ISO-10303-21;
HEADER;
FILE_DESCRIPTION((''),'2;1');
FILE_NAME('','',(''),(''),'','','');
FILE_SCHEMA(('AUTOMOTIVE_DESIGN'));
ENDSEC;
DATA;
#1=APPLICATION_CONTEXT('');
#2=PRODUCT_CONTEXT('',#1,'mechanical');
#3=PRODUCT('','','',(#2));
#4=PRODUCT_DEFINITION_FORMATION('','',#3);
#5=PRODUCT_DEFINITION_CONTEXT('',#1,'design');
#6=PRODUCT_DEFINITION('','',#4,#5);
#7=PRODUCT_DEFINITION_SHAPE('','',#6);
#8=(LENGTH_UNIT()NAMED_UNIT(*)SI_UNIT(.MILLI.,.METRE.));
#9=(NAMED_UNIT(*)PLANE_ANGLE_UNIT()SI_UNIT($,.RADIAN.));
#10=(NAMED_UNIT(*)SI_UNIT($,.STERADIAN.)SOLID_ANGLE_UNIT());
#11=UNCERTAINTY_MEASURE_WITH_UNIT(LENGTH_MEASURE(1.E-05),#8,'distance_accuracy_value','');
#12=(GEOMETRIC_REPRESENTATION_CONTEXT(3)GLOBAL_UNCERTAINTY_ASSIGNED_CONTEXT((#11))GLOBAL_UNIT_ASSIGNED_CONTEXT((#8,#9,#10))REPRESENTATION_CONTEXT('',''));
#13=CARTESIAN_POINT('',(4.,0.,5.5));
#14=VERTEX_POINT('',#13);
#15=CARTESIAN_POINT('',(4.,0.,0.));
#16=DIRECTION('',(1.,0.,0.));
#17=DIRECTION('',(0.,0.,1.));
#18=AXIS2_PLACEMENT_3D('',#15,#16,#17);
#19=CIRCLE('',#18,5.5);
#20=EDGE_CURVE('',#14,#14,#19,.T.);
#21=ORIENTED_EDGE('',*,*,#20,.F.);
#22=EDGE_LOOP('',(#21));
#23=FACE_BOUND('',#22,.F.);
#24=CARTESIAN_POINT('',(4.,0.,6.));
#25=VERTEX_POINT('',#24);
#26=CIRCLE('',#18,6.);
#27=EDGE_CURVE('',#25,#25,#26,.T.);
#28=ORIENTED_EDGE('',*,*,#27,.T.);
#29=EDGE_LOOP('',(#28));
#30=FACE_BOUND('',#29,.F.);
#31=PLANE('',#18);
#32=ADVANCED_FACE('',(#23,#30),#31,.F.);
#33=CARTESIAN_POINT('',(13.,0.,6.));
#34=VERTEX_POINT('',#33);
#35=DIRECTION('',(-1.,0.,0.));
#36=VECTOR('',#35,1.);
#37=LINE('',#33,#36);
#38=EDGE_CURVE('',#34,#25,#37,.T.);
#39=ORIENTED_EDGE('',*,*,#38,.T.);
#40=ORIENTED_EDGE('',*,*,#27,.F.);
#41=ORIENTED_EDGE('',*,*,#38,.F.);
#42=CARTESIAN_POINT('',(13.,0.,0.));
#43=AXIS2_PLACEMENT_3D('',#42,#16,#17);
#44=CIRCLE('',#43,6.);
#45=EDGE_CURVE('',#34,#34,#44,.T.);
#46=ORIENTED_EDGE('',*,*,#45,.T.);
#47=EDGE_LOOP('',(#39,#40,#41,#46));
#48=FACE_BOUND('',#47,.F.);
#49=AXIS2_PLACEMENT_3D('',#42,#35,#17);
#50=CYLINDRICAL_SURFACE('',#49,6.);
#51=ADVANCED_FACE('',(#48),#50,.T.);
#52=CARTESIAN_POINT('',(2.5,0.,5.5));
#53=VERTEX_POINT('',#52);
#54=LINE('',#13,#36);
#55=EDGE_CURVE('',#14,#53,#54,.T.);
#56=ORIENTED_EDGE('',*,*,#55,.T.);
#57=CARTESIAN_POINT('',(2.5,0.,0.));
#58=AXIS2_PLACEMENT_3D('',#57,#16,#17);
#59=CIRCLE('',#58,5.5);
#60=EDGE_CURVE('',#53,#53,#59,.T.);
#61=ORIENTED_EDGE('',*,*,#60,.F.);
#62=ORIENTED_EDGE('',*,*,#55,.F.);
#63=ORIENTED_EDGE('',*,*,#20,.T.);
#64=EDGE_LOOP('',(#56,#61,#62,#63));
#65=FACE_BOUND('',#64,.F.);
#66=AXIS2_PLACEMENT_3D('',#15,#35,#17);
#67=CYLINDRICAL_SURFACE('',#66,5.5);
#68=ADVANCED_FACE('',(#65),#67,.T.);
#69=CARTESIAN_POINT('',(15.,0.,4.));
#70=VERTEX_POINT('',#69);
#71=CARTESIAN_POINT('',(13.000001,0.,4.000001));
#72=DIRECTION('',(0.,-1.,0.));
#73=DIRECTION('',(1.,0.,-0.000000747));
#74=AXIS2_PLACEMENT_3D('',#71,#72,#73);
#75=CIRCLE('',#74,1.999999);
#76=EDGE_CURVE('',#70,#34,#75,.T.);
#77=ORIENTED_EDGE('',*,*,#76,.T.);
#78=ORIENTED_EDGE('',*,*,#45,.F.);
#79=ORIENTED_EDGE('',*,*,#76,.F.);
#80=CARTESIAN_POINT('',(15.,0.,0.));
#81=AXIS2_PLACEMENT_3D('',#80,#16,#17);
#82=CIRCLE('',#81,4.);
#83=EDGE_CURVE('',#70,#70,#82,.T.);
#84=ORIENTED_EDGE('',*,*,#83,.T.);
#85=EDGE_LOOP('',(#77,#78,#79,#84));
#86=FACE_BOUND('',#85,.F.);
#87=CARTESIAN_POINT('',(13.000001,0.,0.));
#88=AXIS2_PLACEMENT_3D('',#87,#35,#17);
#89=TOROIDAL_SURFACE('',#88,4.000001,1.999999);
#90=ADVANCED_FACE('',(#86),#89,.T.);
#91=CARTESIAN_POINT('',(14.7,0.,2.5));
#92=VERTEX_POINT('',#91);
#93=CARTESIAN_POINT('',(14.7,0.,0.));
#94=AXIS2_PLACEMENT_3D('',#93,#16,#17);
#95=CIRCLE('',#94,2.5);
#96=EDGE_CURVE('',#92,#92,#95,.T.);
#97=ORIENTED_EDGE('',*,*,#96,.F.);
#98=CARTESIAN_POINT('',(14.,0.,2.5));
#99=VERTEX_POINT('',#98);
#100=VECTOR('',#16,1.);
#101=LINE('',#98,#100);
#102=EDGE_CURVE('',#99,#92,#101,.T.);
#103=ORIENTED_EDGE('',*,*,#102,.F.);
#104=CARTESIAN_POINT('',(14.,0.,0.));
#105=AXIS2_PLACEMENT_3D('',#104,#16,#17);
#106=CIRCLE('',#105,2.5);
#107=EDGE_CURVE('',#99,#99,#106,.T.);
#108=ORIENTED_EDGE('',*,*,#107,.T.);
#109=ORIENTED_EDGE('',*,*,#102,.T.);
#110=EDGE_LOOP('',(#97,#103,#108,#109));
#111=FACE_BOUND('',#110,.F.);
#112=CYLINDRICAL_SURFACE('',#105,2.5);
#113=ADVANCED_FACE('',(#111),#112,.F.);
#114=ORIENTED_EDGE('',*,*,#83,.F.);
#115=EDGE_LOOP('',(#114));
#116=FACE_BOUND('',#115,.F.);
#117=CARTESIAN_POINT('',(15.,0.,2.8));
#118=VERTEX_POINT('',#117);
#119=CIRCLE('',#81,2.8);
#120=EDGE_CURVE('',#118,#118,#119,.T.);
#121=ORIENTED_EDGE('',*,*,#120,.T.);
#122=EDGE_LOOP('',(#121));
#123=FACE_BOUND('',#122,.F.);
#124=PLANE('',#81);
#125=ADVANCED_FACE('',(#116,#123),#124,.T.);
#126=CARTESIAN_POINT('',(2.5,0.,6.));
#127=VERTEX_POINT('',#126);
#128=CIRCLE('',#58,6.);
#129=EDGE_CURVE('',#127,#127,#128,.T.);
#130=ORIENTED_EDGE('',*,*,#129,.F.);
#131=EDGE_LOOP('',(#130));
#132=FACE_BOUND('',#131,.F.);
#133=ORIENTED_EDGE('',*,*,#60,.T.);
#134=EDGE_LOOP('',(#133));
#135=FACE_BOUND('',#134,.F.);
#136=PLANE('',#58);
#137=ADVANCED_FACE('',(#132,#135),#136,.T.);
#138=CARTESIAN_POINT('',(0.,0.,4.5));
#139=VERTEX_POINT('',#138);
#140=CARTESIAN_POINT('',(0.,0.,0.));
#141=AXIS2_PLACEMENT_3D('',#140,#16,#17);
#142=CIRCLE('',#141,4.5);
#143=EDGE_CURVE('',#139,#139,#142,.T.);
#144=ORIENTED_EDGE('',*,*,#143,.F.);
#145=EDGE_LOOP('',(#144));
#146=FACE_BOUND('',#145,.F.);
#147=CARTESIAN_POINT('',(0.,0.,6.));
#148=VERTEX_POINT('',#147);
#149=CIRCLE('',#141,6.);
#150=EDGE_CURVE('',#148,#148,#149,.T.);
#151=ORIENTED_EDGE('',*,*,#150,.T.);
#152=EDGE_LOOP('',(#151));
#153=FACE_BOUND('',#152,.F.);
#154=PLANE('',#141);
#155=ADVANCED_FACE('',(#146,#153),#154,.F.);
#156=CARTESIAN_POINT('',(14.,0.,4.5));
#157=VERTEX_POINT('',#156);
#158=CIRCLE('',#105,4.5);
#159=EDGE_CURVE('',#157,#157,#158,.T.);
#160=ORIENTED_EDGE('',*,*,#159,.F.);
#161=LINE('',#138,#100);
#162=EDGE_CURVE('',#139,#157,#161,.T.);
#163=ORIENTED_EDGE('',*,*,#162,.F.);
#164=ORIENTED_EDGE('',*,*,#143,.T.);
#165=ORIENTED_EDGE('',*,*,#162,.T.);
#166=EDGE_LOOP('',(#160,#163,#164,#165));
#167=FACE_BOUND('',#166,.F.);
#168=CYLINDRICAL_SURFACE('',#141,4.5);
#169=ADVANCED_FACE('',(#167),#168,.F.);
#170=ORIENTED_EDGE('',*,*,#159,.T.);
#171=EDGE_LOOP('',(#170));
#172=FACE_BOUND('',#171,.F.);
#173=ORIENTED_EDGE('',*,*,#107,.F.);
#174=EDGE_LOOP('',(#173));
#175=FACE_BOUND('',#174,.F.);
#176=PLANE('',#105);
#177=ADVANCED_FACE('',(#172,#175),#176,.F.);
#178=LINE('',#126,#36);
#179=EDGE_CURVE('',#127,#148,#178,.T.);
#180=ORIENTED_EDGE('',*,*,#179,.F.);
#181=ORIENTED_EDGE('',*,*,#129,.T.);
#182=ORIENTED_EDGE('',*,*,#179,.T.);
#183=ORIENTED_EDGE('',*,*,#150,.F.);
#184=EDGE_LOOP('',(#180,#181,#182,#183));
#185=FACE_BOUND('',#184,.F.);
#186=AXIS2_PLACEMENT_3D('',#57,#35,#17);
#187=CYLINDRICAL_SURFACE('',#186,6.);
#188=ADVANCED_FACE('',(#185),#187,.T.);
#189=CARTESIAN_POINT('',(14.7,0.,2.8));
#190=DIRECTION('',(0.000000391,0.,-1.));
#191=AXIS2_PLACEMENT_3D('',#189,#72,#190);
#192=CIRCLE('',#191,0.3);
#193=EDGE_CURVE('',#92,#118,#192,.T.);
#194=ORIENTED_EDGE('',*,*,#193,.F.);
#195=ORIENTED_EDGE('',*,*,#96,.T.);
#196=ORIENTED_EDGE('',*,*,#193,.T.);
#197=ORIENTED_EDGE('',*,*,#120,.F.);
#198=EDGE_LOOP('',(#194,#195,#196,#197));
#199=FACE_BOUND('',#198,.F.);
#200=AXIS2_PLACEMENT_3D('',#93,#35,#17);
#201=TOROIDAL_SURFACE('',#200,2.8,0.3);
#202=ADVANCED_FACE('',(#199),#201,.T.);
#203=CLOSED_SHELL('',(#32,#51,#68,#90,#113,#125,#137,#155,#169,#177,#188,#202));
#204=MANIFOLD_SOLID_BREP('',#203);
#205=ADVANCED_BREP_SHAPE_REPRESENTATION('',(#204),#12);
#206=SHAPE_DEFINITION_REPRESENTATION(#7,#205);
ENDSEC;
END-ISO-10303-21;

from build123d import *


with BuildPart() as f1:
    # F0 (on Front) → F1 (revolve)
    with BuildSketch(Plane.XZ):
        with BuildLine():
            Line((0, 6), (0, 4.5))
            Line((0, 4.5), (14, 4.5))
            Line((14, 4.5), (14, 2.5))
            Line((14, 2.5), (14.7, 2.5))
            ThreePointArc((14.7, 2.5), (14.912132, 2.587868), (15, 2.8))
            Line((15, 2.8), (15, 4))
            ThreePointArc((15, 4), (14.414214, 5.414214), (13, 6))
            Line((13, 6), (4, 6))
            Line((4, 6), (4, 5.5))
            Line((4, 5.5), (2.5, 5.5))
            Line((2.5, 5.5), (2.5, 6))
            Line((2.5, 6), (0, 6))
        make_face()
    revolve(axis=Axis((8.502791, 0, 0), (1, 0, 0)))


solid = f1.part
